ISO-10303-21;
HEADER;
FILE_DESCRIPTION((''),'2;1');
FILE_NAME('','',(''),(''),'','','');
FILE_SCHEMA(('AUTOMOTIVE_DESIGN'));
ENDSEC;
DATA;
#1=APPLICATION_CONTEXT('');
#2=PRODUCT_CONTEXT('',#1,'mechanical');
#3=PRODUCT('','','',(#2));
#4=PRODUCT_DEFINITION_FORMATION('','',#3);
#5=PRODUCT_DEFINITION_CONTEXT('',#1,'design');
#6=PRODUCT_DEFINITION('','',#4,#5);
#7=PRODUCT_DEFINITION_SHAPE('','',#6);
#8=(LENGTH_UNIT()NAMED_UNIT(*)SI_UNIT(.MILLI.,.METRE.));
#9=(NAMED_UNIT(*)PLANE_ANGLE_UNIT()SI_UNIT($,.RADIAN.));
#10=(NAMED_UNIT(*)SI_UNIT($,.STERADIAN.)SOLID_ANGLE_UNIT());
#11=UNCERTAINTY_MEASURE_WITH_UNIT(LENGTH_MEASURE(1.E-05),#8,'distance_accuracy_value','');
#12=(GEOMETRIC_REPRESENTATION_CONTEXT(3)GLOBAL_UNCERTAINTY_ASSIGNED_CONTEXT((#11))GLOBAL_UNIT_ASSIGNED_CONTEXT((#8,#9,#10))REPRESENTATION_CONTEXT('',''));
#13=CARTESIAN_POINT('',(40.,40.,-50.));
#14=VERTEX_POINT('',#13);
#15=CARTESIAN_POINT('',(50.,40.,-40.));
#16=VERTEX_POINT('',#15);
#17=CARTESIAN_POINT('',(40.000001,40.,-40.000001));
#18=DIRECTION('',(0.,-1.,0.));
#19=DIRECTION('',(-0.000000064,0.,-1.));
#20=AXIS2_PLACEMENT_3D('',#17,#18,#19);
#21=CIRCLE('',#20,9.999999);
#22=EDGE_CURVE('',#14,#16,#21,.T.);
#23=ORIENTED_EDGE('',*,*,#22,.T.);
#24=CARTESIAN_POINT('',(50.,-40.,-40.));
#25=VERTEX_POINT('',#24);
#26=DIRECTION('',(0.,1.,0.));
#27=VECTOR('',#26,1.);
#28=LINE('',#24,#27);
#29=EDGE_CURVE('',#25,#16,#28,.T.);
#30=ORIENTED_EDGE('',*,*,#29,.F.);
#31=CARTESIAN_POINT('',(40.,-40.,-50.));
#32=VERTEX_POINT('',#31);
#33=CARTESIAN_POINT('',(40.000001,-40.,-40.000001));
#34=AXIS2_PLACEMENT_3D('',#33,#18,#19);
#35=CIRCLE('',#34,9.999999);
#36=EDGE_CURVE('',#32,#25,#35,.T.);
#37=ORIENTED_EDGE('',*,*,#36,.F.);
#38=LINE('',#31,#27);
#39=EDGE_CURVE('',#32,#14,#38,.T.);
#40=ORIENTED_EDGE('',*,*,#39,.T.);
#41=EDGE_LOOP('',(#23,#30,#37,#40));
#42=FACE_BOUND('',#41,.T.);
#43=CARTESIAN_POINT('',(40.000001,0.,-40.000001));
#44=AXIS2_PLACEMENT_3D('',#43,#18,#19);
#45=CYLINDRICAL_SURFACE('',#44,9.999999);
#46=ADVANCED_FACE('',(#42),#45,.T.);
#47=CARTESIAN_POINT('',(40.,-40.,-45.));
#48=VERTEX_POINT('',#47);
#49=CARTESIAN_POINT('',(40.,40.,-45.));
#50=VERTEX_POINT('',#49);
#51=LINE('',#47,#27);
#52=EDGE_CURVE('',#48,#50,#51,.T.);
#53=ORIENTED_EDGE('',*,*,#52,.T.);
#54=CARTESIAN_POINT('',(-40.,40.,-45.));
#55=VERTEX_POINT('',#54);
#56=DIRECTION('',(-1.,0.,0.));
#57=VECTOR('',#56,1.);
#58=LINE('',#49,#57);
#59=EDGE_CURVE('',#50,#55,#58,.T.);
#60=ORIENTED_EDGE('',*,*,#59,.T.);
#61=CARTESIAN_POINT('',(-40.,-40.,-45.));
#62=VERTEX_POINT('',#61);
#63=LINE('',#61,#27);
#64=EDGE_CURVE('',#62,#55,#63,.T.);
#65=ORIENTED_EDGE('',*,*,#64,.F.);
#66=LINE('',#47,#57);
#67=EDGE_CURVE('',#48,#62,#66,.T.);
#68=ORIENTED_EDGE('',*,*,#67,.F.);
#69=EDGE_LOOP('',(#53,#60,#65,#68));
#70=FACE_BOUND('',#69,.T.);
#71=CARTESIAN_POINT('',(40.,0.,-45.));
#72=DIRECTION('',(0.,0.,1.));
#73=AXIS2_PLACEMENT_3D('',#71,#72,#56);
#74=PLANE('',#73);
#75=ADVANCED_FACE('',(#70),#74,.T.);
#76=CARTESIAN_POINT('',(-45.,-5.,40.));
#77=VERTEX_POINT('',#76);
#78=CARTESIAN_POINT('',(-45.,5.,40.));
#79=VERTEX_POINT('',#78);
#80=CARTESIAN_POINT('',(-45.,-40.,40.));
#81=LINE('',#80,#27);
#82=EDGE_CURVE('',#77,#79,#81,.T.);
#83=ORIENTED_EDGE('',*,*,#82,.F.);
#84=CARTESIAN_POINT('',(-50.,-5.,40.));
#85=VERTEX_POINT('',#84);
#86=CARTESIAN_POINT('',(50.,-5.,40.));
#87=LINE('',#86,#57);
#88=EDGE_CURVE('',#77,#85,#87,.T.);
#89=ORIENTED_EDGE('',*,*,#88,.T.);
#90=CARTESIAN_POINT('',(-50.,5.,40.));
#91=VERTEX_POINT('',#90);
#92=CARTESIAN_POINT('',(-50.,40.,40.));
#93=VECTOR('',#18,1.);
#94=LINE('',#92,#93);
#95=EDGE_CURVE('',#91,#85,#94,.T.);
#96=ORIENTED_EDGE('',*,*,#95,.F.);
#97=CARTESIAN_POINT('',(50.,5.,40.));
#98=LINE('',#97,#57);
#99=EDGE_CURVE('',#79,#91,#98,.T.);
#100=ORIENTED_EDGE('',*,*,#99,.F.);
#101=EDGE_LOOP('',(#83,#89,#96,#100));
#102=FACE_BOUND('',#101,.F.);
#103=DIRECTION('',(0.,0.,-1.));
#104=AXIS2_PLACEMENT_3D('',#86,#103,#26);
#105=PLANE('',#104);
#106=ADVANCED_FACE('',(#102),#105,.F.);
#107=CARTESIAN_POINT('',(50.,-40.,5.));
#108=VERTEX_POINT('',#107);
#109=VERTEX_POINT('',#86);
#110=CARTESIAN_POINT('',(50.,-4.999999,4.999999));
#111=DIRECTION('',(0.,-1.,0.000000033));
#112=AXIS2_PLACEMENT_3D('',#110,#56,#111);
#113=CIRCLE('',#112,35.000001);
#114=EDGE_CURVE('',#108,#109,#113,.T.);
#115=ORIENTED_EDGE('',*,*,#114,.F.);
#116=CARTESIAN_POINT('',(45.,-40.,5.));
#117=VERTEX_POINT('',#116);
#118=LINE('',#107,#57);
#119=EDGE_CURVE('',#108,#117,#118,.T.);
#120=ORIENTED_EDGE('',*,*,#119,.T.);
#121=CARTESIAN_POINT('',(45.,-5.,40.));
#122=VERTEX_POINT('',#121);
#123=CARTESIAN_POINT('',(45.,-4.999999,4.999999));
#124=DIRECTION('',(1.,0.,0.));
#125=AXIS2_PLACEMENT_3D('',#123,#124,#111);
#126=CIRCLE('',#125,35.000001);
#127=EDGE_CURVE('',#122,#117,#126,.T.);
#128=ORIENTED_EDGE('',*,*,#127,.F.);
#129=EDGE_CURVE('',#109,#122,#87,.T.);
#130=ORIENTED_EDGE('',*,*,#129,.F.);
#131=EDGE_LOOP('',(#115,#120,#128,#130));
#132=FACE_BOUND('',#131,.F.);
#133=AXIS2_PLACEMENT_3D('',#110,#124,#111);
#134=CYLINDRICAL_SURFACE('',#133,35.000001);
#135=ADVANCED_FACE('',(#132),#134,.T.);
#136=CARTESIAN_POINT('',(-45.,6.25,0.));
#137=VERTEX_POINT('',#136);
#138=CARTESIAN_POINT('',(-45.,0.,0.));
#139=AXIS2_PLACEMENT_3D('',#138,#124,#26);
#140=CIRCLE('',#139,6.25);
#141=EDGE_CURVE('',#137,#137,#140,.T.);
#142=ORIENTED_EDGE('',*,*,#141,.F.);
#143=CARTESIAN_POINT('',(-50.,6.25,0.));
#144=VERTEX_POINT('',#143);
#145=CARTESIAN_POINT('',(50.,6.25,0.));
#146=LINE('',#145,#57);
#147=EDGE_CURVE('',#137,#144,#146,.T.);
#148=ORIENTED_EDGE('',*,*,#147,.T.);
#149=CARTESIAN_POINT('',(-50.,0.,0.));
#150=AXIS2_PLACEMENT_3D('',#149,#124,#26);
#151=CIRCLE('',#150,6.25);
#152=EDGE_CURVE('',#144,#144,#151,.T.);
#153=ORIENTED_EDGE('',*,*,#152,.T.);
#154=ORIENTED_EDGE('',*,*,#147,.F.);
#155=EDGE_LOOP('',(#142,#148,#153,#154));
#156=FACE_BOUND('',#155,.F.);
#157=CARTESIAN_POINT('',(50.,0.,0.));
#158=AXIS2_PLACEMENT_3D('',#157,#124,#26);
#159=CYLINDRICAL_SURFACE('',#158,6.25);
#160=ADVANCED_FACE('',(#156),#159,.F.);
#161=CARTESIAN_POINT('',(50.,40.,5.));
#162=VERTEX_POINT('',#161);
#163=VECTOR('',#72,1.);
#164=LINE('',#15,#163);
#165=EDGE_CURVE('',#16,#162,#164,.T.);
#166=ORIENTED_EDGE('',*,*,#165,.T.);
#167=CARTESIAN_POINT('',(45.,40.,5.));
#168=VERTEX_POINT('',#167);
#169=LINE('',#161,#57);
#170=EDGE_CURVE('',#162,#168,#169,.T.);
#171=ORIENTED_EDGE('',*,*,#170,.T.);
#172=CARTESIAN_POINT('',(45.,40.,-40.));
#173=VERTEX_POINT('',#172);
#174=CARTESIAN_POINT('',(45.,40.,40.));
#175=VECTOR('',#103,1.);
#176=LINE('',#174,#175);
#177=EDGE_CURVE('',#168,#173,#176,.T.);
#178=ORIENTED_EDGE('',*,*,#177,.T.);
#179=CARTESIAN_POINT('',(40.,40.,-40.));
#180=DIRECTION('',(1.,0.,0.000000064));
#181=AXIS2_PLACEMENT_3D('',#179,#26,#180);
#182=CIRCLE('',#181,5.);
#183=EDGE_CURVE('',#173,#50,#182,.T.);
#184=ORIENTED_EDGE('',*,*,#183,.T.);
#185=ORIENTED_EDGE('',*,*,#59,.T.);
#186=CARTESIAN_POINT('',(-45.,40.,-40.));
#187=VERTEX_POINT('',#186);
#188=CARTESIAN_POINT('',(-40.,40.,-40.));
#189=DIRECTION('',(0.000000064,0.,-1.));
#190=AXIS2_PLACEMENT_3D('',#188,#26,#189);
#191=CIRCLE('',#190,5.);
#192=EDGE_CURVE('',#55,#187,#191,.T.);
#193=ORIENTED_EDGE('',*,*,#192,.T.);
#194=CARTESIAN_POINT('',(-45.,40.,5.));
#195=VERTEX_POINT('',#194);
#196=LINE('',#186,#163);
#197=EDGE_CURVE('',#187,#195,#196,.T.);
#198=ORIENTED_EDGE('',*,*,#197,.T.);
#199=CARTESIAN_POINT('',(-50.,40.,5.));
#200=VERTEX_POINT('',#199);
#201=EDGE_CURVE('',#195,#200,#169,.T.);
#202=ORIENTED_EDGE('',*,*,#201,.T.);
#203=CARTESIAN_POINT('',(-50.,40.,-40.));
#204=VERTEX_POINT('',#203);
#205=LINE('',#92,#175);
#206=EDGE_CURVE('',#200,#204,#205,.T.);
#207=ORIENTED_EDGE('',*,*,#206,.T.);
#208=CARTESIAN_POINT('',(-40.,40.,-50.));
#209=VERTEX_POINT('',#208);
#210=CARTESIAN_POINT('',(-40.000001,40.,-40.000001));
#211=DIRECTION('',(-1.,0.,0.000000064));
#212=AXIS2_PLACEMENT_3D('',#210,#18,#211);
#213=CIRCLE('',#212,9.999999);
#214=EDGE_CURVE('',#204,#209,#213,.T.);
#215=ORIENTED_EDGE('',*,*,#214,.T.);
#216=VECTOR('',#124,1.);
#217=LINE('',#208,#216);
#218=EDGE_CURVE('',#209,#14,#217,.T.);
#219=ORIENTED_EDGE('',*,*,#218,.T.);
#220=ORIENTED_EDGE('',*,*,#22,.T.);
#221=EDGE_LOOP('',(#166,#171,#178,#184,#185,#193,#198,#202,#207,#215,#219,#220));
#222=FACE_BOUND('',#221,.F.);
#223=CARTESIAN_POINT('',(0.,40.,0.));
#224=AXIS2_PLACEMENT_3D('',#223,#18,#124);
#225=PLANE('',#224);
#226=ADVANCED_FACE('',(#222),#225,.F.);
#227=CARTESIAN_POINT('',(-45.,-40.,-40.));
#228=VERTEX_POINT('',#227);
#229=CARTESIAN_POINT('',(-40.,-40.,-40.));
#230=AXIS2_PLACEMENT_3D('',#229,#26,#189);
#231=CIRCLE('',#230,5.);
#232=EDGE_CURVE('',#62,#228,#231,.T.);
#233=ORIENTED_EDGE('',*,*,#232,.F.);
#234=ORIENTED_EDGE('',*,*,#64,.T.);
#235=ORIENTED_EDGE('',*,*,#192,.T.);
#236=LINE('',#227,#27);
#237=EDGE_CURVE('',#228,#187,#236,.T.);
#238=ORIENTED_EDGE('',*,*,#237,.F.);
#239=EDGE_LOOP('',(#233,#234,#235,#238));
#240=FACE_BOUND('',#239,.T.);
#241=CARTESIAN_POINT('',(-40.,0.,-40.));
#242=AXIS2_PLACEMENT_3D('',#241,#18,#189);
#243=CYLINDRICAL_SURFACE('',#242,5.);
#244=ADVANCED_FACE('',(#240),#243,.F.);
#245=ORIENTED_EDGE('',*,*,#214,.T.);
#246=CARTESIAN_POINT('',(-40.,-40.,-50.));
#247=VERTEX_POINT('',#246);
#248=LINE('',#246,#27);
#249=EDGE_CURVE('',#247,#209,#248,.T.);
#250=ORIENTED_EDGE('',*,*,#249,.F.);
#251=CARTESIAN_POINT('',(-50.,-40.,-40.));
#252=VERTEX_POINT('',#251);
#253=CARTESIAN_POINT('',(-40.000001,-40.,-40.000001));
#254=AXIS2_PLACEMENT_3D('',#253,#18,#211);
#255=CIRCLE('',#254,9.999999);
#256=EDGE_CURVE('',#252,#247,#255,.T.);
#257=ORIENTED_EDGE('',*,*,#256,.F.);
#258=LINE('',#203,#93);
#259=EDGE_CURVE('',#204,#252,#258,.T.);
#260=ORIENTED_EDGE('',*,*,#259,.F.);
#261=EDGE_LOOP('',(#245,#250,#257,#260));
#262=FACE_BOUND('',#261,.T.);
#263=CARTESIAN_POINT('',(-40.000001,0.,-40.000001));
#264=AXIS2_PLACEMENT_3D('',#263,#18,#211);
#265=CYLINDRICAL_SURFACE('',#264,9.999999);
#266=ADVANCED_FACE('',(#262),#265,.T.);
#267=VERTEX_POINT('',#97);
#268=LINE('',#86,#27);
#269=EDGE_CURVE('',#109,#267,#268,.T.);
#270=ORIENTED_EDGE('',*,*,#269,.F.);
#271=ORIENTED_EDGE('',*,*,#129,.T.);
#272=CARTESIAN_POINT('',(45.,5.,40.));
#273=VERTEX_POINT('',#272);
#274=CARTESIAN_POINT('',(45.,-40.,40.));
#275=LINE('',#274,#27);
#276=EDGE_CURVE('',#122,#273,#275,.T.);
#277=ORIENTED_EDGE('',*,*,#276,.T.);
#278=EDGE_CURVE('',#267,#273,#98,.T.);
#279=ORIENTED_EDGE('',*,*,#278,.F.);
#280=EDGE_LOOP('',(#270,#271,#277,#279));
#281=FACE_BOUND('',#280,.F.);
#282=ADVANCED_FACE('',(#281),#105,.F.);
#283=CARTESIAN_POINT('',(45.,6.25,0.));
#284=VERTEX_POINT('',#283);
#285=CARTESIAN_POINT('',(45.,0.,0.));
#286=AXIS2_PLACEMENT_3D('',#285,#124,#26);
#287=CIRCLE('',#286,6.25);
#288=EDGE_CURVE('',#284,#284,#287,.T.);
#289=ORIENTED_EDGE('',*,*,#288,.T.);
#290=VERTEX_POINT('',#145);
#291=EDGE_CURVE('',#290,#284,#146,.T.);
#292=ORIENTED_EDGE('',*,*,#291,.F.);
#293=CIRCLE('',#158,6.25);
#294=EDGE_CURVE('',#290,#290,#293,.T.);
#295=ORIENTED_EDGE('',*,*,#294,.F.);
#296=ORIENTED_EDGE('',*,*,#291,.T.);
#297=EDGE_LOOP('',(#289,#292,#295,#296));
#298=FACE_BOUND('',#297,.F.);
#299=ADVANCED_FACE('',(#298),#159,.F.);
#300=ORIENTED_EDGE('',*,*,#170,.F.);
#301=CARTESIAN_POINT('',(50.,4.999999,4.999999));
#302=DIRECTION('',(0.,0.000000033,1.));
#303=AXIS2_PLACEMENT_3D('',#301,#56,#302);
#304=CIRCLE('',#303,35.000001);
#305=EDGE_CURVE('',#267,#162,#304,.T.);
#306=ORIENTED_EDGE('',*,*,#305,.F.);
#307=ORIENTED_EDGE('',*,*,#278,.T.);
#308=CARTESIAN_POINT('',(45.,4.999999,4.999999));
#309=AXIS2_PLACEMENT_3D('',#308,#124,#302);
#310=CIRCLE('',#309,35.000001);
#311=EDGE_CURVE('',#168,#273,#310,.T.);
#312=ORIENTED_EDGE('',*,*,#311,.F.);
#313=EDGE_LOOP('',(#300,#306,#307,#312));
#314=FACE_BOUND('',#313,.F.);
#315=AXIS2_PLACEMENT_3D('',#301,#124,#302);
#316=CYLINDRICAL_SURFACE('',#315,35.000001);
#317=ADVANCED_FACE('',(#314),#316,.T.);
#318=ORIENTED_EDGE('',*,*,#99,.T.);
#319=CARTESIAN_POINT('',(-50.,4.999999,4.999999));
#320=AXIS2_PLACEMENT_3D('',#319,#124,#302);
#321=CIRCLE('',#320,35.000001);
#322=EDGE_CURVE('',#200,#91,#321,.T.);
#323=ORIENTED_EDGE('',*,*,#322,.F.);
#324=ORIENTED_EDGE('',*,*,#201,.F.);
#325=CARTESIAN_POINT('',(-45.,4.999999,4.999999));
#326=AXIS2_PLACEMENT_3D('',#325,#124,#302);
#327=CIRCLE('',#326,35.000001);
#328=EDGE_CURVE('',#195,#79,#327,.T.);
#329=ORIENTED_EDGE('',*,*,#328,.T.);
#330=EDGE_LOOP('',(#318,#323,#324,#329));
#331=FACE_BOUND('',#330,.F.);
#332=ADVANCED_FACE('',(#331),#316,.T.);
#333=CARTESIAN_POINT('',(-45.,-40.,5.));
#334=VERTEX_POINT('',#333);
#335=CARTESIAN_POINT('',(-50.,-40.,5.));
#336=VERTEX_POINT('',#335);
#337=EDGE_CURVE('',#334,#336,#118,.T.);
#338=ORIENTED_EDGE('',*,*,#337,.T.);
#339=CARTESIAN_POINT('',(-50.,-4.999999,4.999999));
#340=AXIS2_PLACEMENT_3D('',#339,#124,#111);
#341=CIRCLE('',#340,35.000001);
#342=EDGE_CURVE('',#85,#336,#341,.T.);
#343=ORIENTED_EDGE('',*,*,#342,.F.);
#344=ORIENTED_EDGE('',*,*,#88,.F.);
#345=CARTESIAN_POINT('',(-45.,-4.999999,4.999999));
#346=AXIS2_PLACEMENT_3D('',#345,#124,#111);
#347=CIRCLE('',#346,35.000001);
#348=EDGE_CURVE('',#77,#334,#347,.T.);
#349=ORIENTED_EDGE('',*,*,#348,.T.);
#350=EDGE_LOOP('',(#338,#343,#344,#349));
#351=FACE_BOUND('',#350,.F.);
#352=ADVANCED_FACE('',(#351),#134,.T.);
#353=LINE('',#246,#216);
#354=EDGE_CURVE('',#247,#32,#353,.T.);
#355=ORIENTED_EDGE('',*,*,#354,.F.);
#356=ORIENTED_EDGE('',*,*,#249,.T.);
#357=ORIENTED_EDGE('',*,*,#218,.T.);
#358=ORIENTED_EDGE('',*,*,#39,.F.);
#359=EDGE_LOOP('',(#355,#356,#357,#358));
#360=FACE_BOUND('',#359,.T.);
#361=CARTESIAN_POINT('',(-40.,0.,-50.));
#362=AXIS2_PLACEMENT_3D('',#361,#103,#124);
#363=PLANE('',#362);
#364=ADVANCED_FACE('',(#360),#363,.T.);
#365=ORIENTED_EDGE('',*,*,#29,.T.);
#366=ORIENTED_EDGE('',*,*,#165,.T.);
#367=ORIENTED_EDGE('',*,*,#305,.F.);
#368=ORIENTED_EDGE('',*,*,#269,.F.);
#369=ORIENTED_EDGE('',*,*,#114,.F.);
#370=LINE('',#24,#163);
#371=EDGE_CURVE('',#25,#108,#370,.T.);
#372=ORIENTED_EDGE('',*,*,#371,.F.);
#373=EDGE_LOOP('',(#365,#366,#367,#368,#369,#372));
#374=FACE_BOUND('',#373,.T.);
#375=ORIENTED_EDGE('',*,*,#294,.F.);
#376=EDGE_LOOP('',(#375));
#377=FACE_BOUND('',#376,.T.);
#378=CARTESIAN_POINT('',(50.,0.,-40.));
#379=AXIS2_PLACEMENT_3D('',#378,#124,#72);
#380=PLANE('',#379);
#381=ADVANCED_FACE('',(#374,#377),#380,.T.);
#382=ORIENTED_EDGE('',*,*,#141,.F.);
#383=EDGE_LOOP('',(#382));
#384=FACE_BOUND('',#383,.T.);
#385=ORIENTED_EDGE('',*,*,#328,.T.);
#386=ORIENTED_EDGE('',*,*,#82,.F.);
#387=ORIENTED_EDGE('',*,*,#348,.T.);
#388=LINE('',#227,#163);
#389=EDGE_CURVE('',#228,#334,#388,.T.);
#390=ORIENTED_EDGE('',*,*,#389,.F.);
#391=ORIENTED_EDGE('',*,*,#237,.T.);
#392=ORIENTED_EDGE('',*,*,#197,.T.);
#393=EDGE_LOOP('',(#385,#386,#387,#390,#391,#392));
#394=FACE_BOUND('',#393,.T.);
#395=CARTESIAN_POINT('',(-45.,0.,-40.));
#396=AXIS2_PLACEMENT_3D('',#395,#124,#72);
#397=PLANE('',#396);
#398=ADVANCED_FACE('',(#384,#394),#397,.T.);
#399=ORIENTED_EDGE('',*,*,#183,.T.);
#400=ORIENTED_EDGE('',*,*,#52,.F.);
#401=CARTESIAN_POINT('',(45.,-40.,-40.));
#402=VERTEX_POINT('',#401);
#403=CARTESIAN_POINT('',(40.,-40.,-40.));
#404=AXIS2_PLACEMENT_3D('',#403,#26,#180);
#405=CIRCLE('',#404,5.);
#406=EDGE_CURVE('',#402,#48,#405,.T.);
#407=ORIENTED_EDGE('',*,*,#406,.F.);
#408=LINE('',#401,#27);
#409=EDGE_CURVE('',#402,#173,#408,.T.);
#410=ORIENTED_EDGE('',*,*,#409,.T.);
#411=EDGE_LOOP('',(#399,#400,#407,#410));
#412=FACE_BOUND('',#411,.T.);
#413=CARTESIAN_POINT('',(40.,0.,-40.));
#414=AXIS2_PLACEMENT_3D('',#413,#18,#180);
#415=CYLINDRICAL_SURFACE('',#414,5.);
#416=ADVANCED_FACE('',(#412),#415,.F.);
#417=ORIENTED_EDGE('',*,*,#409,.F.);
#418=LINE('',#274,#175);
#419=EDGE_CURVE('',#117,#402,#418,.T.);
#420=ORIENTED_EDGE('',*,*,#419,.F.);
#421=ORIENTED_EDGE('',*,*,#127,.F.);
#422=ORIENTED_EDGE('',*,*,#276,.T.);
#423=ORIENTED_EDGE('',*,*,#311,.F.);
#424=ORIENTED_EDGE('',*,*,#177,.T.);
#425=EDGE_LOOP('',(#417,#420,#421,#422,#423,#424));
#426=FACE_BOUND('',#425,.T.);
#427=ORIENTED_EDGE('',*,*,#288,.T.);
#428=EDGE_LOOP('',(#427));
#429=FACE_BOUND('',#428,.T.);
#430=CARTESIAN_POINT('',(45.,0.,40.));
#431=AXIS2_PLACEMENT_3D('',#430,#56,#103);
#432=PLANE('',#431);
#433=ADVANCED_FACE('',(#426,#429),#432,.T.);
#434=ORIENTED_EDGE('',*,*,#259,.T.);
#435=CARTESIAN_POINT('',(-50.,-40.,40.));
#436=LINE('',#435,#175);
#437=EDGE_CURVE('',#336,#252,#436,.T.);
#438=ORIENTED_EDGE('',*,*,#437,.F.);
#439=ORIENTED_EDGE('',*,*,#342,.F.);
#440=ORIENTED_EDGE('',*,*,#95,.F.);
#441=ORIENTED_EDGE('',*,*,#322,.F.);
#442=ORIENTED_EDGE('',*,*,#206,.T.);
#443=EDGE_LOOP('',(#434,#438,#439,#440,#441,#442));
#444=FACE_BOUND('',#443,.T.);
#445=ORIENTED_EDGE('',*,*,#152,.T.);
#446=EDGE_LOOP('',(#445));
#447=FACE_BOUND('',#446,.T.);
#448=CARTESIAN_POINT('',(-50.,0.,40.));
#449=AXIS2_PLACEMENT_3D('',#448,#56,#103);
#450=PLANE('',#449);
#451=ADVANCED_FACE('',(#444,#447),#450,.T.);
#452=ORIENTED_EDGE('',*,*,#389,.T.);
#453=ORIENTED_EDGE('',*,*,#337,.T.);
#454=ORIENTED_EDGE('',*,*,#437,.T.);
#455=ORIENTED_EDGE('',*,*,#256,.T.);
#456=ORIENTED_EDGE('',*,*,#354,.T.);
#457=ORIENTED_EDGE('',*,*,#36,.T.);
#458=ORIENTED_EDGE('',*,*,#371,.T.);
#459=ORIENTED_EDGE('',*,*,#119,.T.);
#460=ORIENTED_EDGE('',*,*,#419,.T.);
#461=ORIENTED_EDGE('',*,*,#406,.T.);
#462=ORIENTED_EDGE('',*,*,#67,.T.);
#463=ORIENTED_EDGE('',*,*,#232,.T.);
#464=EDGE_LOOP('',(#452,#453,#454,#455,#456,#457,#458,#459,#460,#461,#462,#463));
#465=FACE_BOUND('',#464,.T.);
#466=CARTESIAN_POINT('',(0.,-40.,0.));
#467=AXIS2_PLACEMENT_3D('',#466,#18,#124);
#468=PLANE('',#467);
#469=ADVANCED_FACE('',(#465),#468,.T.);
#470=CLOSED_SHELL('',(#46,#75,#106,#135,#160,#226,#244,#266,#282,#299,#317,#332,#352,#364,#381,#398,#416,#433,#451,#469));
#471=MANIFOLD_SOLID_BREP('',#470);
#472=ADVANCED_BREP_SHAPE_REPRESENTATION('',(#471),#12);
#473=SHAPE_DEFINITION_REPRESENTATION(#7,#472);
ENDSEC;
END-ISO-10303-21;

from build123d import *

# Parameters (mm, degrees)
F1_DEPTH = 40
F2_R     = 6.25
F3_DEPTH = 100.001


with BuildPart() as f1:
    # F0 (on Front) → F1 (new body, symmetric)
    with BuildSketch(Plane.XZ):
        with BuildLine():
            ThreePointArc((50, 40), (47.071068, 47.071068), (40, 50))
            Line((40, 50), (-40, 50))
            ThreePointArc((-40, 50), (-47.071068, 47.071068), (-50, 40))
            Line((-50, 40), (-50, -40))
            ThreePointArc((-50, -40), (-47.071068, -47.071068), (-40, -50))
            Line((-40, -50), (40, -50))
            ThreePointArc((40, -50), (47.071068, -47.071068), (50, -40))
            Line((50, -40), (50, 40))
        make_face()
        with BuildLine():
            ThreePointArc((40, 45), (43.535534, 43.535534), (45, 40))
            Line((45, 40), (45, -40))
            ThreePointArc((45, -40), (43.535534, -43.535534), (40, -45))
            Line((40, -45), (-40, -45))
            ThreePointArc((-40, -45), (-43.535534, -43.535534), (-45, -40))
            Line((-45, -40), (-45, 40))
            ThreePointArc((-45, 40), (-43.535534, 43.535534), (-40, 45))
            Line((-40, 45), (40, 45))
        make_face(mode=Mode.SUBTRACT)
    extrude(amount=F1_DEPTH, both=True)

    # F2 (on face) → F3 (cut, through all)
    with BuildSketch(Plane.YZ.offset(50)):
        with BuildLine():
            ThreePointArc((-40, 5), (-29.748737, 29.748737), (-5, 40))
            Line((-5, 40), (5, 40))
            ThreePointArc((5, 40), (29.748737, 29.748737), (40, 5))
            Line((40, 5), (40, 50))
            Line((40, 50), (-40, 50))
            Line((-40, 50), (-40, 5))
        make_face()
        Circle(F2_R)
    extrude(amount=-F3_DEPTH, mode=Mode.SUBTRACT)


solid = f1.part
